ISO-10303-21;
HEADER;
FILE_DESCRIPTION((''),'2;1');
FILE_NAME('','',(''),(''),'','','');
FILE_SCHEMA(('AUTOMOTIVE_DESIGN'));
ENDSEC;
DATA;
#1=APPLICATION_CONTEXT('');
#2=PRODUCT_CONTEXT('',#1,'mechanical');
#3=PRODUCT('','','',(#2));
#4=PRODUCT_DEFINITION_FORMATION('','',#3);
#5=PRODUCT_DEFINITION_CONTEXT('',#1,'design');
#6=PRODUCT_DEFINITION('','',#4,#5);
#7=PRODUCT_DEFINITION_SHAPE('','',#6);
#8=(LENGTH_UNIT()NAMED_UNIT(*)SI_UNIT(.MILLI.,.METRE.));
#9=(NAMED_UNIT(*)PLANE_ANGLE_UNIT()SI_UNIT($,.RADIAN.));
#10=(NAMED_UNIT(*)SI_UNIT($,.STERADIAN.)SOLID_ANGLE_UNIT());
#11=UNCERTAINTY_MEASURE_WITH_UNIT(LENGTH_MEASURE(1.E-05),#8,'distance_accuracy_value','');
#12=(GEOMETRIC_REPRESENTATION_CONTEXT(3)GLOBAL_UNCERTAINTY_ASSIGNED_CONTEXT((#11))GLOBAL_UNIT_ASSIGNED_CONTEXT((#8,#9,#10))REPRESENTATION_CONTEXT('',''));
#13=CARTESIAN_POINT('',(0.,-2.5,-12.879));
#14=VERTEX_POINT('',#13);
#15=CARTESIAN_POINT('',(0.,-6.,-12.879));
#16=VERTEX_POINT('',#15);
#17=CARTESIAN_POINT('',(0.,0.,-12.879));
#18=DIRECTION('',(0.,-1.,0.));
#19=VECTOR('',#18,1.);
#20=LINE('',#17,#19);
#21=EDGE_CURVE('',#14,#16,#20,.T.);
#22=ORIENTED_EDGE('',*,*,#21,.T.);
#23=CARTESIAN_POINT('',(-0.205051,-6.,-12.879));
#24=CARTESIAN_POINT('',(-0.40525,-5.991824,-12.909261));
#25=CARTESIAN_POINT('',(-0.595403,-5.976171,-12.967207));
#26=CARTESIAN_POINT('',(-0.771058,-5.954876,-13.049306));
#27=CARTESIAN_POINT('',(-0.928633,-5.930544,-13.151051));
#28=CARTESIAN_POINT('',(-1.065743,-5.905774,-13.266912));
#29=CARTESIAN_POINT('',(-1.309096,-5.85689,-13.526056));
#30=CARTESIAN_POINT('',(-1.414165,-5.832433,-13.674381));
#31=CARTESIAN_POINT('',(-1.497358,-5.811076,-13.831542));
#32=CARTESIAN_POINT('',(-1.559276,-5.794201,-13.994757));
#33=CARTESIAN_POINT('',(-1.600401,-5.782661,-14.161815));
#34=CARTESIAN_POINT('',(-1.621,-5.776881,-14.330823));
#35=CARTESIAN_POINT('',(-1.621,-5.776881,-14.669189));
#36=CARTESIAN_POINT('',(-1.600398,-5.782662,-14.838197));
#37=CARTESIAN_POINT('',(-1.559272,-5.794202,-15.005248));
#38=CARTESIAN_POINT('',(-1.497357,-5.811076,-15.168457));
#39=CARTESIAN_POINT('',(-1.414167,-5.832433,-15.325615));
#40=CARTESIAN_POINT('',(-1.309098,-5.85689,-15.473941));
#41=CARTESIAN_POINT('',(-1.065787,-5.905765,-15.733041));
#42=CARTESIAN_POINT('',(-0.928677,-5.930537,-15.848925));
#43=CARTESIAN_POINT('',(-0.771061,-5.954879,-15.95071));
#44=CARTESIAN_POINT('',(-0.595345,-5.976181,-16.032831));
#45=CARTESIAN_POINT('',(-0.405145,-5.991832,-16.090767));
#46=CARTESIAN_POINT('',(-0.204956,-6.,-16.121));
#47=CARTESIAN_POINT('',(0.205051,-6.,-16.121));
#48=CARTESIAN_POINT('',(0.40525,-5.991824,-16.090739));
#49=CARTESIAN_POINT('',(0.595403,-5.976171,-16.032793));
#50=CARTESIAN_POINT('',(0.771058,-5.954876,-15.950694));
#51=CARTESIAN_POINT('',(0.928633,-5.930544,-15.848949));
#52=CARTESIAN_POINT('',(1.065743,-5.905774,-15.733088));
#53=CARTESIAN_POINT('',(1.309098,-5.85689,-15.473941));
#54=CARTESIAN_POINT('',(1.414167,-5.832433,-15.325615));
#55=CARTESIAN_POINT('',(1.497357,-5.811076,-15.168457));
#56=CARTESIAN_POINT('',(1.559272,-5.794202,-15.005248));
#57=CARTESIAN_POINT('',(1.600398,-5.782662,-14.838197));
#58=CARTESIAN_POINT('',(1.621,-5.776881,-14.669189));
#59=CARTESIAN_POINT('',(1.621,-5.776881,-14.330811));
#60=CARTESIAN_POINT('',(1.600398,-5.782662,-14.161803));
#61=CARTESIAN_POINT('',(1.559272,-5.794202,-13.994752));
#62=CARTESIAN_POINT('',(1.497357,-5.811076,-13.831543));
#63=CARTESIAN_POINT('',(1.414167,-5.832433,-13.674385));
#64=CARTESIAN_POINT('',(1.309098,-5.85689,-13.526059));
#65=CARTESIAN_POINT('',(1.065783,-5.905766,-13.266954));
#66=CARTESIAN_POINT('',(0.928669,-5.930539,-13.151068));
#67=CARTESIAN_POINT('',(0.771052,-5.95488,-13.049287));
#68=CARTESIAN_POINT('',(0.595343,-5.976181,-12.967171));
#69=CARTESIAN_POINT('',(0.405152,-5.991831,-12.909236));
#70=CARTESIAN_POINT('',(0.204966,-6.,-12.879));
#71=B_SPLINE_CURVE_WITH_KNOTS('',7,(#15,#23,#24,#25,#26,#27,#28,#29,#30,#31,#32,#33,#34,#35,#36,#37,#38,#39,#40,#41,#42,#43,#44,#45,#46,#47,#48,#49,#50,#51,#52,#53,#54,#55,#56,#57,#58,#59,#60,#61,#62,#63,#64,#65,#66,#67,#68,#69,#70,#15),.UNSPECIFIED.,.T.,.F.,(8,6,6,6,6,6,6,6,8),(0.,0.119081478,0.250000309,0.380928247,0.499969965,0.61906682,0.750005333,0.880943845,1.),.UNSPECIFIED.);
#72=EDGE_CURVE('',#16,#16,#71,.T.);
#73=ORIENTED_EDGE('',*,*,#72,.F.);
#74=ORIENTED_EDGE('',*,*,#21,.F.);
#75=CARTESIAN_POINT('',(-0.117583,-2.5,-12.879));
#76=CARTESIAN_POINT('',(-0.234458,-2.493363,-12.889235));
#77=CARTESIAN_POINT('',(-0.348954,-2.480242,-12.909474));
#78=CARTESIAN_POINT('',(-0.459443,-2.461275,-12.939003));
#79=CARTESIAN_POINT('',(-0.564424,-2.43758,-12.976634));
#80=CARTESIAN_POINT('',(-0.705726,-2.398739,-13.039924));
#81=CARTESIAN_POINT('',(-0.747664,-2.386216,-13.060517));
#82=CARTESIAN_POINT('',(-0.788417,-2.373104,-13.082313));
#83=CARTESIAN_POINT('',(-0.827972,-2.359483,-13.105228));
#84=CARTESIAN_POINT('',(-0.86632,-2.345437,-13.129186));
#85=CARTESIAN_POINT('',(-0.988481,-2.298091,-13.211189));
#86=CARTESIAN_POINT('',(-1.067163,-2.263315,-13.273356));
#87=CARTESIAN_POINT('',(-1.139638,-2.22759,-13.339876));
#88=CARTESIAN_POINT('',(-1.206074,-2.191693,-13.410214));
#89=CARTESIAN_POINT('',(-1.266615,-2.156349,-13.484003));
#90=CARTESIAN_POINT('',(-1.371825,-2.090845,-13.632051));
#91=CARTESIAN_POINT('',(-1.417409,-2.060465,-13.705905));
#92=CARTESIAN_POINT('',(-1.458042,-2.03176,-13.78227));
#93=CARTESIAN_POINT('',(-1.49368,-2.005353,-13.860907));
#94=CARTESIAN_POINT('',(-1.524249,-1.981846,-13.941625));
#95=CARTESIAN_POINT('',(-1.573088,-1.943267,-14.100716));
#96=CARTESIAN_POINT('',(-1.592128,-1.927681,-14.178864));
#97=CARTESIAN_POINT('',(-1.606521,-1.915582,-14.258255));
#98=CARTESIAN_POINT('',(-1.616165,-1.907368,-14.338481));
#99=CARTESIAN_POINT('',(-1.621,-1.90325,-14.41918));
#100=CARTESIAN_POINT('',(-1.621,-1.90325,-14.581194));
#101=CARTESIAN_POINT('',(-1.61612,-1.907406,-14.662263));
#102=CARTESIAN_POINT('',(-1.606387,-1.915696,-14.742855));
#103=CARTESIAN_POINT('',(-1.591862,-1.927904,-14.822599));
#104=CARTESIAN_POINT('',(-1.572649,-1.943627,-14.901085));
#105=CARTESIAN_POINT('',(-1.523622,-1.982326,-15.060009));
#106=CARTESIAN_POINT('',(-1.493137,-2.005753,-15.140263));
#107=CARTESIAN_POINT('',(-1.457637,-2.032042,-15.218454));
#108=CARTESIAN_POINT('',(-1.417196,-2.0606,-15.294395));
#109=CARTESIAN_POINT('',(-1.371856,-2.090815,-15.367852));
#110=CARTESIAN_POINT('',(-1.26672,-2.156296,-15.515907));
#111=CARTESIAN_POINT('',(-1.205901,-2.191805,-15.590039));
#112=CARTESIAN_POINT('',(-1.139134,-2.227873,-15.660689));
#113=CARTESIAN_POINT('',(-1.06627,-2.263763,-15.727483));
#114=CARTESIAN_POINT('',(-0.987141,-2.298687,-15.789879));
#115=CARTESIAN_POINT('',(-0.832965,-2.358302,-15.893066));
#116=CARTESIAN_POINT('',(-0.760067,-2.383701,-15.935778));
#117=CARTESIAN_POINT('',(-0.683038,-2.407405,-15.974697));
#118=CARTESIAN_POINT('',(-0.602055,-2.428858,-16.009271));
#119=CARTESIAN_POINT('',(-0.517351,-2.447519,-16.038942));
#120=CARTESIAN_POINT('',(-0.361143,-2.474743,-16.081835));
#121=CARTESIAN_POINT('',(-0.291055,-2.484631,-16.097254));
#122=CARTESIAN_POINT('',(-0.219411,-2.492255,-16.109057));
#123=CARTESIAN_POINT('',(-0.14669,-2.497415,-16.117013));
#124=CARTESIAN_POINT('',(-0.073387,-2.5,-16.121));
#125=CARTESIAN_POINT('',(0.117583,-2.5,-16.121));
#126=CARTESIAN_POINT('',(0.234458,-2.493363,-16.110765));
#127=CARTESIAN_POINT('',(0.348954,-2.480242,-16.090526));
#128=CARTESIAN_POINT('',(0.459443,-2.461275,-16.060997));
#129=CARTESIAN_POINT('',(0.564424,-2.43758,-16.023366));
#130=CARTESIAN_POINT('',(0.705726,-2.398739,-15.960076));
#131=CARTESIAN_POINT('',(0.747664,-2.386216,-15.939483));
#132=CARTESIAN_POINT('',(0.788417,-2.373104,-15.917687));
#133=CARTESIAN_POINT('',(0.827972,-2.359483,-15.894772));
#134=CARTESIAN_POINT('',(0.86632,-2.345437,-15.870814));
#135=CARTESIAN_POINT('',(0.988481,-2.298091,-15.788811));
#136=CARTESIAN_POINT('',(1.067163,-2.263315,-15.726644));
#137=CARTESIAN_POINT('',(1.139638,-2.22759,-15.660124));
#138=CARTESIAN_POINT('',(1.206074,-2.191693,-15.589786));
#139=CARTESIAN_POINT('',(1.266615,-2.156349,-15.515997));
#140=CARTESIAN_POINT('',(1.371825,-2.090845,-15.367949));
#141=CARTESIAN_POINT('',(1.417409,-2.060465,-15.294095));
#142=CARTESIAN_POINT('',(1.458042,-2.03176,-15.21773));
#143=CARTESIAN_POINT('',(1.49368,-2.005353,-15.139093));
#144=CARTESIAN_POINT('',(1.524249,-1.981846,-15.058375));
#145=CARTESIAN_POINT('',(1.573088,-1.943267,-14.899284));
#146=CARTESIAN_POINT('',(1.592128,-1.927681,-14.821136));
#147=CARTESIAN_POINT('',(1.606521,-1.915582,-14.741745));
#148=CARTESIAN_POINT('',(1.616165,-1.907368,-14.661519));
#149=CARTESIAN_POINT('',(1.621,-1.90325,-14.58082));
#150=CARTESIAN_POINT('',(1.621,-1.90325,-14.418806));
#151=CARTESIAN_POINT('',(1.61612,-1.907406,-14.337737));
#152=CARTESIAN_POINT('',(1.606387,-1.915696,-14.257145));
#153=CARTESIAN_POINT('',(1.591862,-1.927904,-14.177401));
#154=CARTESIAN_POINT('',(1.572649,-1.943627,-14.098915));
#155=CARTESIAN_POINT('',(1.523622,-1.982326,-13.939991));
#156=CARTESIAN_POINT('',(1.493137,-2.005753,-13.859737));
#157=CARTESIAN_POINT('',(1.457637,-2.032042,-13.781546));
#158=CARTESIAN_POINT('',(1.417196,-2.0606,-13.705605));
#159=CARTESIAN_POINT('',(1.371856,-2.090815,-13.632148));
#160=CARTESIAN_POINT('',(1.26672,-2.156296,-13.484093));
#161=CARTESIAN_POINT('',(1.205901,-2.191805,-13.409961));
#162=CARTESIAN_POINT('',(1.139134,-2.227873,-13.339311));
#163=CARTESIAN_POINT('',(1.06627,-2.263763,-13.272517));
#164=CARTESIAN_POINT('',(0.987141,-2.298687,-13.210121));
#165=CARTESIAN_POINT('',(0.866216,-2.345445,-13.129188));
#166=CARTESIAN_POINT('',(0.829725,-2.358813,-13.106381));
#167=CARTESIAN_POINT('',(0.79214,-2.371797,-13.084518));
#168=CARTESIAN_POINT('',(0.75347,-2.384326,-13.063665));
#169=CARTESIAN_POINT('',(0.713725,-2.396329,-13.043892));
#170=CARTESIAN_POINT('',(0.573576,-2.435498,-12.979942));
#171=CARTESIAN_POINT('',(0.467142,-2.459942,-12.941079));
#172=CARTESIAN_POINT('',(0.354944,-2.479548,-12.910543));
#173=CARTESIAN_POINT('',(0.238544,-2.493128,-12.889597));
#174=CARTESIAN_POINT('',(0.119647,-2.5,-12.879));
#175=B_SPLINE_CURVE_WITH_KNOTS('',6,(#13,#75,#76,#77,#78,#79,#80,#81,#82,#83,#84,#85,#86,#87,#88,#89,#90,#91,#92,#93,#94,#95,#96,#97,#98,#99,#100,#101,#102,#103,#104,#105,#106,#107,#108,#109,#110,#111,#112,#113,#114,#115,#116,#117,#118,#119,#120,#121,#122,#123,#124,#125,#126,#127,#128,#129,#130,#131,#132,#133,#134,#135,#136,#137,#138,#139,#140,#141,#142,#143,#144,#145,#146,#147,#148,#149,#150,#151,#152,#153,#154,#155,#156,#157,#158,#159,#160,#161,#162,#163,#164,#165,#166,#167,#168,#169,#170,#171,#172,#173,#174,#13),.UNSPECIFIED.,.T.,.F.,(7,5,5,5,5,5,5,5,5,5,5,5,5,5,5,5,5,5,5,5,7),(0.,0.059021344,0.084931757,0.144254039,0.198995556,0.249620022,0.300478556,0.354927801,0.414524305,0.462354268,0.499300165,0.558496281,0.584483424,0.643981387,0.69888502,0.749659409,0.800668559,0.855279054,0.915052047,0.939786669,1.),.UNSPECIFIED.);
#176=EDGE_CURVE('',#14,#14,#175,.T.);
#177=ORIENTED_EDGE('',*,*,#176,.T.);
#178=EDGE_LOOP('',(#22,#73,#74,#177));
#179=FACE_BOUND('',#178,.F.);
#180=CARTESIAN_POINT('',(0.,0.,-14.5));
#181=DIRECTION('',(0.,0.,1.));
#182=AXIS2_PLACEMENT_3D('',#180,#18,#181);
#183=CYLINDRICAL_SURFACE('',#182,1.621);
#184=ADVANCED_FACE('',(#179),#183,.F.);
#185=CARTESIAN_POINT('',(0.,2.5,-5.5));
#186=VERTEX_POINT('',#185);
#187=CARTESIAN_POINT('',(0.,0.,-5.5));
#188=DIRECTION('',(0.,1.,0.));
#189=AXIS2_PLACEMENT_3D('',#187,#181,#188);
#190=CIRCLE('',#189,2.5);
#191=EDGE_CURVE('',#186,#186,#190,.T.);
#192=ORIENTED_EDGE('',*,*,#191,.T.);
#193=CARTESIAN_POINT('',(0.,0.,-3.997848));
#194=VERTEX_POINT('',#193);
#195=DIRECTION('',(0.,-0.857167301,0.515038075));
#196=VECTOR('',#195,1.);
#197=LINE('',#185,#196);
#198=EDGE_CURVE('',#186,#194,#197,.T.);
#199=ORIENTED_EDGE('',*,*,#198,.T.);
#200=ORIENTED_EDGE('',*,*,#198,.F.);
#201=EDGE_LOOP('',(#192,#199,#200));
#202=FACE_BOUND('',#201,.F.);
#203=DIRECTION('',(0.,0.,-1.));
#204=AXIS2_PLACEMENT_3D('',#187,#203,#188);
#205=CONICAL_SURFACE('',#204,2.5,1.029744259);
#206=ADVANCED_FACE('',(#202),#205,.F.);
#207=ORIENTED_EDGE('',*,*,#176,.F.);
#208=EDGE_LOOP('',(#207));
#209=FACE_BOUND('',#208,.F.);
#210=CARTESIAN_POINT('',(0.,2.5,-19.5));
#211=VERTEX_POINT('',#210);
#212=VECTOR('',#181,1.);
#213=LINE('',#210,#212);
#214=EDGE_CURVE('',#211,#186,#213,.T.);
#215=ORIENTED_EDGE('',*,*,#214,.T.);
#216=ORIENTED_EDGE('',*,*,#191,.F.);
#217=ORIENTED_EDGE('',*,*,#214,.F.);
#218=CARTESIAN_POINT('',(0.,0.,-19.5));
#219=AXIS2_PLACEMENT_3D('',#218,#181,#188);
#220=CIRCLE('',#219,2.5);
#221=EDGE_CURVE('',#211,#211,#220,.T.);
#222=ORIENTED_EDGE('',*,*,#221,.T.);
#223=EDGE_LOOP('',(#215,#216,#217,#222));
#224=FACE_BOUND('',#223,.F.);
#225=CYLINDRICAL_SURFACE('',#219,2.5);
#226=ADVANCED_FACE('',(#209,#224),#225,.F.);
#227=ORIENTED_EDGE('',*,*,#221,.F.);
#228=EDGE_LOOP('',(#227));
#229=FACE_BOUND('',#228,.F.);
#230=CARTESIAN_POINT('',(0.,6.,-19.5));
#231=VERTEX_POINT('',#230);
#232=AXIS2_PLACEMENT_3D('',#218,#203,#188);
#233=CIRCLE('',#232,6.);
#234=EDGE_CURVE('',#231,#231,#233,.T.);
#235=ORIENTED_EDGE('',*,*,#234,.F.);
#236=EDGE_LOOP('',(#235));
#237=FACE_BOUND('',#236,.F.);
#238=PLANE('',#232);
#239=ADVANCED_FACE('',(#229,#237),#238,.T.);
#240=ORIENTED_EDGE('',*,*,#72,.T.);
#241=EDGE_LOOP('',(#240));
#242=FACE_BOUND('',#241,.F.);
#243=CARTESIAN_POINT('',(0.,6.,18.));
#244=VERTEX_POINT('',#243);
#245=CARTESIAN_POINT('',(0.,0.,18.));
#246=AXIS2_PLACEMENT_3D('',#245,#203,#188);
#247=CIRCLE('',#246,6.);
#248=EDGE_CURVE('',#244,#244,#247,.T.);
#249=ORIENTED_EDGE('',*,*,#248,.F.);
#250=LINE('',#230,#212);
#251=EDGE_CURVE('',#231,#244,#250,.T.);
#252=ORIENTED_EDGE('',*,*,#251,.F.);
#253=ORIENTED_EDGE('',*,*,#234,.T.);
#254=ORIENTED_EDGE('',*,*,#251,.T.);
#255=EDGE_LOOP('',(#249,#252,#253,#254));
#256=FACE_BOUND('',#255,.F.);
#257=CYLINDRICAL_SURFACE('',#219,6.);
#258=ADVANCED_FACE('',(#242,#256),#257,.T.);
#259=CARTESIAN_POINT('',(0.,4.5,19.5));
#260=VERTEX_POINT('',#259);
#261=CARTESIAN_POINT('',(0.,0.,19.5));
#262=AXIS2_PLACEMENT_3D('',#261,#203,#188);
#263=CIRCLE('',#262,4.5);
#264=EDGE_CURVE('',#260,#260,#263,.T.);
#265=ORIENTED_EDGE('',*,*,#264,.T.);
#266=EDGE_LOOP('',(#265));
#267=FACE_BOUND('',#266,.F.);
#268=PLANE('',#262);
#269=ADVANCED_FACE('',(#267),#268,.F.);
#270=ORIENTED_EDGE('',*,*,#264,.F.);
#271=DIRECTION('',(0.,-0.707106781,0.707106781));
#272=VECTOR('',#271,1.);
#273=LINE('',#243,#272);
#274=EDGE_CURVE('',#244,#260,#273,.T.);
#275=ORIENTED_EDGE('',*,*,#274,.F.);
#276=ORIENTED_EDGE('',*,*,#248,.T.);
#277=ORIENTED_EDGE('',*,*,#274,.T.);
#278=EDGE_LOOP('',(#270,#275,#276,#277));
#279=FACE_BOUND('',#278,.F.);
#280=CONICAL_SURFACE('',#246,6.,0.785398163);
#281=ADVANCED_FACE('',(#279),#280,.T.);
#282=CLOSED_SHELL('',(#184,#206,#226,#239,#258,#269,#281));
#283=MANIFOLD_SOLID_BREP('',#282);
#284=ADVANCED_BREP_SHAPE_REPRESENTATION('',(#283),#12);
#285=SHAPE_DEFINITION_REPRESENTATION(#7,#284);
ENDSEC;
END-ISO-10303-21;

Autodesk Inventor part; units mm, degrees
ref_plane "YZ Plane" through (0, 0, 0) normal (1, 0, 0) x (0, 1, 0)
ref_plane "XZ Plane" through (0, 0, 0) normal (0, 1, 0) x (-1, 0, 0)
ref_plane "XY Plane" through (0, 0, 0) normal (0, 0, 1) x (1, 0, 0)
sketch "Sketch3" plane through (0, 0, 0) normal (1, 0, 0) x (0, 1, 0)
  line L0 (6, 19.5) -> (0, 19.5)
  line L1 (0, 19.5) -> (0, -19.5)
  line L2 (0, -19.5) -> (6, -19.5)
  line L3 (6, -19.5) -> (6, 19.5)
  point P0 (0, 0)
  dimension "d11" = 39
  dimension "d12" = 0
  dimension "d13" = 6
  dimension "d15" = 19.5
revolve "Revolution2" add sketch "Sketch3" angle 360 about axis through (0, 0, 19.5) along (0, 0, -1)
sketch "Sketch6" plane through (0, 0, -19.5) normal (0, 0, -1) x (-1, 0, 0)
  circle A0 centre (0, 0) radius 2.5
  dimension "d39" = 5
hole "Hole3" at (0, 0, -19.5) direction (0, 0, 1) diameter 5 depth 14 tip angle 118
sketch "Sketch7" plane through (0, 0, 0) normal (0, 1, 0) x (-1, 0, 0)
  circle A0 centre (0, -14.5) radius 2
  line L0 (-6, -19.5) -> (6, -19.5) projected
  point P0 (0, 0)
  dimension "d47" = 4
  dimension "d49" = 5
hole "Hole4" at (0, 0, -14.5) direction (0, -1, 0) diameter 3.242 end through all thread size "M4x0.7" class "6H" standard "ISO Metric profile"
thread "Thread2" size "M12x1.75" class "6g" standard "ANSI Metric M Profile" length 29
chamfer "Chamfer3" distance 1.5 angle 45 1 edges at (0, -6, 19.5)
equation "\"d15\" = 0.5 * d11"
equation "\"d40\" = d39"
properties part number "Spindle Iso M12 Setscrew" material "Aluminum 6061"
